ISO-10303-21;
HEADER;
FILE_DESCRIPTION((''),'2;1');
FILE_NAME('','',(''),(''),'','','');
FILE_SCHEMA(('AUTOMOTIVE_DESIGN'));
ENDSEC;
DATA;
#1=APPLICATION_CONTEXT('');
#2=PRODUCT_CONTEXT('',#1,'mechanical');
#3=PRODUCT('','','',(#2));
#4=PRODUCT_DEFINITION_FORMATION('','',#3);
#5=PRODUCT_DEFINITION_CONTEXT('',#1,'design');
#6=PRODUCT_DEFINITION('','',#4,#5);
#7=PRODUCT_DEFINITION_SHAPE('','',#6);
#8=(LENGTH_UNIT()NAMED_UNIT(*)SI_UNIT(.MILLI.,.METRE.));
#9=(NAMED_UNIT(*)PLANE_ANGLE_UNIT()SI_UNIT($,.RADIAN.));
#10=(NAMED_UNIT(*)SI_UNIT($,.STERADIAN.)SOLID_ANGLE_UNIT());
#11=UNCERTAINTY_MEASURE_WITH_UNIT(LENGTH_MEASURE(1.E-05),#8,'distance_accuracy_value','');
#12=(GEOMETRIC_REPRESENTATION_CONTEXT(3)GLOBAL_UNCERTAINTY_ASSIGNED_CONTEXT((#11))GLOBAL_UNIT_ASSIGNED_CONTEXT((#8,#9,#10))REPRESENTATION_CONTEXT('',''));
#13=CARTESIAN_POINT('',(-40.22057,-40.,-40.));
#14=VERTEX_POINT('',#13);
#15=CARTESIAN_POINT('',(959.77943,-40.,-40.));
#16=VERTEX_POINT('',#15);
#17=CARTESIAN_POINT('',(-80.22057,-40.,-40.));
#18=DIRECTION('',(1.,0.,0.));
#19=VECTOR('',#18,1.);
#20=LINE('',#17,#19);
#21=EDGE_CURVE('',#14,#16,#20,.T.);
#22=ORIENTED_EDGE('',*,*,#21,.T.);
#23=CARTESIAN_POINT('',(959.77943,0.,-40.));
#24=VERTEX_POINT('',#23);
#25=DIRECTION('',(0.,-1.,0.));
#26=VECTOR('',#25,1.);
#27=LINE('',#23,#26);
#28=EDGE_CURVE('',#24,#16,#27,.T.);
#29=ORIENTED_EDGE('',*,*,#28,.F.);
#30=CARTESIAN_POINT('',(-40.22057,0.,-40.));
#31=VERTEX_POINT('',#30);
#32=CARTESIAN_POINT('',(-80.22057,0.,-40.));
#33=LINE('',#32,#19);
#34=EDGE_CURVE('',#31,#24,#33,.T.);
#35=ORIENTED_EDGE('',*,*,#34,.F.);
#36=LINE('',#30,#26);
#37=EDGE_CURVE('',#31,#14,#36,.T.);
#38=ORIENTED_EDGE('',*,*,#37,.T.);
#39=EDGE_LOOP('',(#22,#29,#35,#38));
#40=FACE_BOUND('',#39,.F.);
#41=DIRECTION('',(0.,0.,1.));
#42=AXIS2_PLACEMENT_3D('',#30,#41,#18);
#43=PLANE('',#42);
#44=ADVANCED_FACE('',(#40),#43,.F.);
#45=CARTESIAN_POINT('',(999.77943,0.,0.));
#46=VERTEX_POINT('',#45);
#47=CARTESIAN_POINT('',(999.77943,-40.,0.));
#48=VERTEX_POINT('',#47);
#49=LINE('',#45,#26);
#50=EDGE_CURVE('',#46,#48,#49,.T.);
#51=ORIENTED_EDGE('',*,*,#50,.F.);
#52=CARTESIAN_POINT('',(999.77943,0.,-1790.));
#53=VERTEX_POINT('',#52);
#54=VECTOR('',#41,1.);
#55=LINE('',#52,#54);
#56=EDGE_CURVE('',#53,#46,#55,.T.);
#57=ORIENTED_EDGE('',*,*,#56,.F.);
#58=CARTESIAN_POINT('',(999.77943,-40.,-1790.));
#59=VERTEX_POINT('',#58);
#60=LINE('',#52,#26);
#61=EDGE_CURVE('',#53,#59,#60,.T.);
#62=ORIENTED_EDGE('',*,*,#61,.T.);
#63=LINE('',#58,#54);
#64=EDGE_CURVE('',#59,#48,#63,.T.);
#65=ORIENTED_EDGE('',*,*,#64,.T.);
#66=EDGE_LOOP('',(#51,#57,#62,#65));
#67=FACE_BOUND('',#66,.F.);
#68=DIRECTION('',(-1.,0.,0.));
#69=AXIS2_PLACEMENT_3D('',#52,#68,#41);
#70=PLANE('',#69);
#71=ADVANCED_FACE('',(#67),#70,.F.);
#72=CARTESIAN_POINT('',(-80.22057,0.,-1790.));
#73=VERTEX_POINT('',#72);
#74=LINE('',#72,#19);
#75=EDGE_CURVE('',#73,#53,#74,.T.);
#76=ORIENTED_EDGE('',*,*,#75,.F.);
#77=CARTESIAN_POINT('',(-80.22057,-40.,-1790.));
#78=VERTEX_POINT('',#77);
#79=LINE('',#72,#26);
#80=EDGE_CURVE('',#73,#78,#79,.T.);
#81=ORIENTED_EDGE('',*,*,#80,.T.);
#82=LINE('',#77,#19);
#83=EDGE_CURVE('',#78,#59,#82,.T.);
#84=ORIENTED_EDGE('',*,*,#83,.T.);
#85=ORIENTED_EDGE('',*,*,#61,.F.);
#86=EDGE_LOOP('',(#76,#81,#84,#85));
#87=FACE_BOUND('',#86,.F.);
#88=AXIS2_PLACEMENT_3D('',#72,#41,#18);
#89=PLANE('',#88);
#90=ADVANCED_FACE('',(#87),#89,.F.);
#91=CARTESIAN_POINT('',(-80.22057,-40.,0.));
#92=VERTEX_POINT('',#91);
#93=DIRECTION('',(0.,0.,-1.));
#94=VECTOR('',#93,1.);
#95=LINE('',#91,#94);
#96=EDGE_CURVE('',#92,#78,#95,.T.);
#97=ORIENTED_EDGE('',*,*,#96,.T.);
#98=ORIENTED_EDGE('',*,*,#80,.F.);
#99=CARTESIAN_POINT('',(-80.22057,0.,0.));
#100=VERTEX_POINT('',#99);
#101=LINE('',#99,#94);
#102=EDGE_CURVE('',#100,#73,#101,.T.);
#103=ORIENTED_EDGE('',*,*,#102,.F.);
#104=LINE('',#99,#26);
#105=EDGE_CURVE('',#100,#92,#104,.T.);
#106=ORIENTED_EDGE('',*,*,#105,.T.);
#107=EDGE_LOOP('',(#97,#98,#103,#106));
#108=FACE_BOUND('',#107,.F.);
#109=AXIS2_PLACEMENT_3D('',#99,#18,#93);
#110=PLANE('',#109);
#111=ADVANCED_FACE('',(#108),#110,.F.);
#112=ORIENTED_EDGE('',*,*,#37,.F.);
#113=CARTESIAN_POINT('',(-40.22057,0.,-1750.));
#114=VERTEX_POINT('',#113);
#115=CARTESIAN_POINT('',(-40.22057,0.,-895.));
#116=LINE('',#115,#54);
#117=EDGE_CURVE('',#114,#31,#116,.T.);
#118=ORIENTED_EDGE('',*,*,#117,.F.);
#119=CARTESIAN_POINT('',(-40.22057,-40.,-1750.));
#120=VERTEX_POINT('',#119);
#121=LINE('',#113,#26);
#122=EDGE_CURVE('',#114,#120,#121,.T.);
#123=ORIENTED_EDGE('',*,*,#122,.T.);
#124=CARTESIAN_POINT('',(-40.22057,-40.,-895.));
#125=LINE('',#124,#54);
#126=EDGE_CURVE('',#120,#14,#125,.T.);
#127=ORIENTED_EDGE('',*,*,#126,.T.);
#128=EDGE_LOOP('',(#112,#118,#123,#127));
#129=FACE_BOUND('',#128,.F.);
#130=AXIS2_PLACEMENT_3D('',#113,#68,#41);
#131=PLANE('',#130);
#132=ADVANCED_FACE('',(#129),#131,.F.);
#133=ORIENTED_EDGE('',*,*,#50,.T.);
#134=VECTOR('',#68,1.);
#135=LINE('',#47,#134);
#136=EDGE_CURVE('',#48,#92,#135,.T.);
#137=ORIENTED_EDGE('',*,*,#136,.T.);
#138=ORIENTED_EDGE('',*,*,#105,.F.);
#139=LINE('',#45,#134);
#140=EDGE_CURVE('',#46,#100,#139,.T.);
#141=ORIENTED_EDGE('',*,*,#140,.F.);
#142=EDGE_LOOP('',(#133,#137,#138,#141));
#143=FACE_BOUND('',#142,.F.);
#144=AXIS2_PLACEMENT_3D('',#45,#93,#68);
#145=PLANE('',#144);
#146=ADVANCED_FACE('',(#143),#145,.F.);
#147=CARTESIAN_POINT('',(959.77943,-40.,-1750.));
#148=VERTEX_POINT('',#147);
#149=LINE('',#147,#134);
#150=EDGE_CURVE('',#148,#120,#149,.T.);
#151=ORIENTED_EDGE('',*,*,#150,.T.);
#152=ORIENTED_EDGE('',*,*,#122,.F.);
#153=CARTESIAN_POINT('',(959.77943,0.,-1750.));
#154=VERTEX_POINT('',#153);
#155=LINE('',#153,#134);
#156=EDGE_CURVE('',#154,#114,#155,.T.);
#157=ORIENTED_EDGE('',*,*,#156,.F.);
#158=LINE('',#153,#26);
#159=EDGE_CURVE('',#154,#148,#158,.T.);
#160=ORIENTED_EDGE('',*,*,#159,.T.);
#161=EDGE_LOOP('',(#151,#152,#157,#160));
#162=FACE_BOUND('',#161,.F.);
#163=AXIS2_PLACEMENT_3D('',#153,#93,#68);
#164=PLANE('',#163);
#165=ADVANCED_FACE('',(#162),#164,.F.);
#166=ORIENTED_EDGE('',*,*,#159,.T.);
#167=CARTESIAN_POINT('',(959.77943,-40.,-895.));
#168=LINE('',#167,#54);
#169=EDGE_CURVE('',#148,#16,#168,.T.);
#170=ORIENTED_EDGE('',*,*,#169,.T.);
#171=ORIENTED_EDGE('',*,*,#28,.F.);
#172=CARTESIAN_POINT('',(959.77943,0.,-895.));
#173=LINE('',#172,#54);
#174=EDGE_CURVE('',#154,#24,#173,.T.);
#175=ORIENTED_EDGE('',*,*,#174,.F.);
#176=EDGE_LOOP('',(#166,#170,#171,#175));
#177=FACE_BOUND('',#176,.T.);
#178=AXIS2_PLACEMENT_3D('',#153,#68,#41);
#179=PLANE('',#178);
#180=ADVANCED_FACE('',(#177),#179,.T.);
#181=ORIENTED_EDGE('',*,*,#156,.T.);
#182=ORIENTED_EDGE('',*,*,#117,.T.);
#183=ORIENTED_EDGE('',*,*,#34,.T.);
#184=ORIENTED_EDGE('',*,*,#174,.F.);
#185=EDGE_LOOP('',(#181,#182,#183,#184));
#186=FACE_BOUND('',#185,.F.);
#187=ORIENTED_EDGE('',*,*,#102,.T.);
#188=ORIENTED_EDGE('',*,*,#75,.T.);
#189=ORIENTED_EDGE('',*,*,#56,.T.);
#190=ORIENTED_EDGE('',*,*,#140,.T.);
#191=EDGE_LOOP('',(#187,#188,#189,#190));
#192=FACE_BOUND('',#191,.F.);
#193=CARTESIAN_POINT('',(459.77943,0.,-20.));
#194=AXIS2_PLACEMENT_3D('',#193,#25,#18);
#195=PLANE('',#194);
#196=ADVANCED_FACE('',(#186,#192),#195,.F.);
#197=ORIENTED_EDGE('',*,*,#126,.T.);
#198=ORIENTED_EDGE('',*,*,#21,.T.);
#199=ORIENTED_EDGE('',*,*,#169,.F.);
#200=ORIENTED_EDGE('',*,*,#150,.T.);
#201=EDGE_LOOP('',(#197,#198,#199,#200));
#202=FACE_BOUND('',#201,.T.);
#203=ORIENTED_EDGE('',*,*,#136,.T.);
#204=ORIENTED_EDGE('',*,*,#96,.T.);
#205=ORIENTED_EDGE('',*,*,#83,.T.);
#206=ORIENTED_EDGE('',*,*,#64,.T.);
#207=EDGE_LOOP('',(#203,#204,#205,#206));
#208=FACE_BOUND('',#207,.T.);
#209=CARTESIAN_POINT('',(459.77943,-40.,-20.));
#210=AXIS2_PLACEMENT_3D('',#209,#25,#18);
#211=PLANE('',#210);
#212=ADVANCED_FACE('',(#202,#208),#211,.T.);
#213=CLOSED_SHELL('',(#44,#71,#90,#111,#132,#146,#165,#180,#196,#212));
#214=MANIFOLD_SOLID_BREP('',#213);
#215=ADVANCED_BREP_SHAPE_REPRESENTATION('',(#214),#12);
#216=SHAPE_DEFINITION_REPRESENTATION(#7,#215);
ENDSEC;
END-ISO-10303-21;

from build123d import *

# Parameters (mm, degrees)
F0_W     = 40
F0_H     = 1710
F1_DEPTH = 40


with BuildPart() as f1:
    # F0 (on Front) → F1 (new body)
    with BuildSketch(Plane.XZ):
        Polygon((999.77943, 0), (-80.22057, 0), (-80.22057, -40), (-40.22057, -40), (959.77943, -40), (999.77943, -40), align=None)
        with Locations((-60.22057, -895)):
            Rectangle(F0_W, F0_H)
        with Locations((979.77943, -895)):
            Rectangle(F0_W, F0_H)
        Polygon((-40.22057, -1750), (-80.22057, -1750), (-80.22057, -1790), (999.77943, -1790), (999.77943, -1750), (959.77943, -1750), align=None)
    extrude(amount=F1_DEPTH)


solid = f1.part
